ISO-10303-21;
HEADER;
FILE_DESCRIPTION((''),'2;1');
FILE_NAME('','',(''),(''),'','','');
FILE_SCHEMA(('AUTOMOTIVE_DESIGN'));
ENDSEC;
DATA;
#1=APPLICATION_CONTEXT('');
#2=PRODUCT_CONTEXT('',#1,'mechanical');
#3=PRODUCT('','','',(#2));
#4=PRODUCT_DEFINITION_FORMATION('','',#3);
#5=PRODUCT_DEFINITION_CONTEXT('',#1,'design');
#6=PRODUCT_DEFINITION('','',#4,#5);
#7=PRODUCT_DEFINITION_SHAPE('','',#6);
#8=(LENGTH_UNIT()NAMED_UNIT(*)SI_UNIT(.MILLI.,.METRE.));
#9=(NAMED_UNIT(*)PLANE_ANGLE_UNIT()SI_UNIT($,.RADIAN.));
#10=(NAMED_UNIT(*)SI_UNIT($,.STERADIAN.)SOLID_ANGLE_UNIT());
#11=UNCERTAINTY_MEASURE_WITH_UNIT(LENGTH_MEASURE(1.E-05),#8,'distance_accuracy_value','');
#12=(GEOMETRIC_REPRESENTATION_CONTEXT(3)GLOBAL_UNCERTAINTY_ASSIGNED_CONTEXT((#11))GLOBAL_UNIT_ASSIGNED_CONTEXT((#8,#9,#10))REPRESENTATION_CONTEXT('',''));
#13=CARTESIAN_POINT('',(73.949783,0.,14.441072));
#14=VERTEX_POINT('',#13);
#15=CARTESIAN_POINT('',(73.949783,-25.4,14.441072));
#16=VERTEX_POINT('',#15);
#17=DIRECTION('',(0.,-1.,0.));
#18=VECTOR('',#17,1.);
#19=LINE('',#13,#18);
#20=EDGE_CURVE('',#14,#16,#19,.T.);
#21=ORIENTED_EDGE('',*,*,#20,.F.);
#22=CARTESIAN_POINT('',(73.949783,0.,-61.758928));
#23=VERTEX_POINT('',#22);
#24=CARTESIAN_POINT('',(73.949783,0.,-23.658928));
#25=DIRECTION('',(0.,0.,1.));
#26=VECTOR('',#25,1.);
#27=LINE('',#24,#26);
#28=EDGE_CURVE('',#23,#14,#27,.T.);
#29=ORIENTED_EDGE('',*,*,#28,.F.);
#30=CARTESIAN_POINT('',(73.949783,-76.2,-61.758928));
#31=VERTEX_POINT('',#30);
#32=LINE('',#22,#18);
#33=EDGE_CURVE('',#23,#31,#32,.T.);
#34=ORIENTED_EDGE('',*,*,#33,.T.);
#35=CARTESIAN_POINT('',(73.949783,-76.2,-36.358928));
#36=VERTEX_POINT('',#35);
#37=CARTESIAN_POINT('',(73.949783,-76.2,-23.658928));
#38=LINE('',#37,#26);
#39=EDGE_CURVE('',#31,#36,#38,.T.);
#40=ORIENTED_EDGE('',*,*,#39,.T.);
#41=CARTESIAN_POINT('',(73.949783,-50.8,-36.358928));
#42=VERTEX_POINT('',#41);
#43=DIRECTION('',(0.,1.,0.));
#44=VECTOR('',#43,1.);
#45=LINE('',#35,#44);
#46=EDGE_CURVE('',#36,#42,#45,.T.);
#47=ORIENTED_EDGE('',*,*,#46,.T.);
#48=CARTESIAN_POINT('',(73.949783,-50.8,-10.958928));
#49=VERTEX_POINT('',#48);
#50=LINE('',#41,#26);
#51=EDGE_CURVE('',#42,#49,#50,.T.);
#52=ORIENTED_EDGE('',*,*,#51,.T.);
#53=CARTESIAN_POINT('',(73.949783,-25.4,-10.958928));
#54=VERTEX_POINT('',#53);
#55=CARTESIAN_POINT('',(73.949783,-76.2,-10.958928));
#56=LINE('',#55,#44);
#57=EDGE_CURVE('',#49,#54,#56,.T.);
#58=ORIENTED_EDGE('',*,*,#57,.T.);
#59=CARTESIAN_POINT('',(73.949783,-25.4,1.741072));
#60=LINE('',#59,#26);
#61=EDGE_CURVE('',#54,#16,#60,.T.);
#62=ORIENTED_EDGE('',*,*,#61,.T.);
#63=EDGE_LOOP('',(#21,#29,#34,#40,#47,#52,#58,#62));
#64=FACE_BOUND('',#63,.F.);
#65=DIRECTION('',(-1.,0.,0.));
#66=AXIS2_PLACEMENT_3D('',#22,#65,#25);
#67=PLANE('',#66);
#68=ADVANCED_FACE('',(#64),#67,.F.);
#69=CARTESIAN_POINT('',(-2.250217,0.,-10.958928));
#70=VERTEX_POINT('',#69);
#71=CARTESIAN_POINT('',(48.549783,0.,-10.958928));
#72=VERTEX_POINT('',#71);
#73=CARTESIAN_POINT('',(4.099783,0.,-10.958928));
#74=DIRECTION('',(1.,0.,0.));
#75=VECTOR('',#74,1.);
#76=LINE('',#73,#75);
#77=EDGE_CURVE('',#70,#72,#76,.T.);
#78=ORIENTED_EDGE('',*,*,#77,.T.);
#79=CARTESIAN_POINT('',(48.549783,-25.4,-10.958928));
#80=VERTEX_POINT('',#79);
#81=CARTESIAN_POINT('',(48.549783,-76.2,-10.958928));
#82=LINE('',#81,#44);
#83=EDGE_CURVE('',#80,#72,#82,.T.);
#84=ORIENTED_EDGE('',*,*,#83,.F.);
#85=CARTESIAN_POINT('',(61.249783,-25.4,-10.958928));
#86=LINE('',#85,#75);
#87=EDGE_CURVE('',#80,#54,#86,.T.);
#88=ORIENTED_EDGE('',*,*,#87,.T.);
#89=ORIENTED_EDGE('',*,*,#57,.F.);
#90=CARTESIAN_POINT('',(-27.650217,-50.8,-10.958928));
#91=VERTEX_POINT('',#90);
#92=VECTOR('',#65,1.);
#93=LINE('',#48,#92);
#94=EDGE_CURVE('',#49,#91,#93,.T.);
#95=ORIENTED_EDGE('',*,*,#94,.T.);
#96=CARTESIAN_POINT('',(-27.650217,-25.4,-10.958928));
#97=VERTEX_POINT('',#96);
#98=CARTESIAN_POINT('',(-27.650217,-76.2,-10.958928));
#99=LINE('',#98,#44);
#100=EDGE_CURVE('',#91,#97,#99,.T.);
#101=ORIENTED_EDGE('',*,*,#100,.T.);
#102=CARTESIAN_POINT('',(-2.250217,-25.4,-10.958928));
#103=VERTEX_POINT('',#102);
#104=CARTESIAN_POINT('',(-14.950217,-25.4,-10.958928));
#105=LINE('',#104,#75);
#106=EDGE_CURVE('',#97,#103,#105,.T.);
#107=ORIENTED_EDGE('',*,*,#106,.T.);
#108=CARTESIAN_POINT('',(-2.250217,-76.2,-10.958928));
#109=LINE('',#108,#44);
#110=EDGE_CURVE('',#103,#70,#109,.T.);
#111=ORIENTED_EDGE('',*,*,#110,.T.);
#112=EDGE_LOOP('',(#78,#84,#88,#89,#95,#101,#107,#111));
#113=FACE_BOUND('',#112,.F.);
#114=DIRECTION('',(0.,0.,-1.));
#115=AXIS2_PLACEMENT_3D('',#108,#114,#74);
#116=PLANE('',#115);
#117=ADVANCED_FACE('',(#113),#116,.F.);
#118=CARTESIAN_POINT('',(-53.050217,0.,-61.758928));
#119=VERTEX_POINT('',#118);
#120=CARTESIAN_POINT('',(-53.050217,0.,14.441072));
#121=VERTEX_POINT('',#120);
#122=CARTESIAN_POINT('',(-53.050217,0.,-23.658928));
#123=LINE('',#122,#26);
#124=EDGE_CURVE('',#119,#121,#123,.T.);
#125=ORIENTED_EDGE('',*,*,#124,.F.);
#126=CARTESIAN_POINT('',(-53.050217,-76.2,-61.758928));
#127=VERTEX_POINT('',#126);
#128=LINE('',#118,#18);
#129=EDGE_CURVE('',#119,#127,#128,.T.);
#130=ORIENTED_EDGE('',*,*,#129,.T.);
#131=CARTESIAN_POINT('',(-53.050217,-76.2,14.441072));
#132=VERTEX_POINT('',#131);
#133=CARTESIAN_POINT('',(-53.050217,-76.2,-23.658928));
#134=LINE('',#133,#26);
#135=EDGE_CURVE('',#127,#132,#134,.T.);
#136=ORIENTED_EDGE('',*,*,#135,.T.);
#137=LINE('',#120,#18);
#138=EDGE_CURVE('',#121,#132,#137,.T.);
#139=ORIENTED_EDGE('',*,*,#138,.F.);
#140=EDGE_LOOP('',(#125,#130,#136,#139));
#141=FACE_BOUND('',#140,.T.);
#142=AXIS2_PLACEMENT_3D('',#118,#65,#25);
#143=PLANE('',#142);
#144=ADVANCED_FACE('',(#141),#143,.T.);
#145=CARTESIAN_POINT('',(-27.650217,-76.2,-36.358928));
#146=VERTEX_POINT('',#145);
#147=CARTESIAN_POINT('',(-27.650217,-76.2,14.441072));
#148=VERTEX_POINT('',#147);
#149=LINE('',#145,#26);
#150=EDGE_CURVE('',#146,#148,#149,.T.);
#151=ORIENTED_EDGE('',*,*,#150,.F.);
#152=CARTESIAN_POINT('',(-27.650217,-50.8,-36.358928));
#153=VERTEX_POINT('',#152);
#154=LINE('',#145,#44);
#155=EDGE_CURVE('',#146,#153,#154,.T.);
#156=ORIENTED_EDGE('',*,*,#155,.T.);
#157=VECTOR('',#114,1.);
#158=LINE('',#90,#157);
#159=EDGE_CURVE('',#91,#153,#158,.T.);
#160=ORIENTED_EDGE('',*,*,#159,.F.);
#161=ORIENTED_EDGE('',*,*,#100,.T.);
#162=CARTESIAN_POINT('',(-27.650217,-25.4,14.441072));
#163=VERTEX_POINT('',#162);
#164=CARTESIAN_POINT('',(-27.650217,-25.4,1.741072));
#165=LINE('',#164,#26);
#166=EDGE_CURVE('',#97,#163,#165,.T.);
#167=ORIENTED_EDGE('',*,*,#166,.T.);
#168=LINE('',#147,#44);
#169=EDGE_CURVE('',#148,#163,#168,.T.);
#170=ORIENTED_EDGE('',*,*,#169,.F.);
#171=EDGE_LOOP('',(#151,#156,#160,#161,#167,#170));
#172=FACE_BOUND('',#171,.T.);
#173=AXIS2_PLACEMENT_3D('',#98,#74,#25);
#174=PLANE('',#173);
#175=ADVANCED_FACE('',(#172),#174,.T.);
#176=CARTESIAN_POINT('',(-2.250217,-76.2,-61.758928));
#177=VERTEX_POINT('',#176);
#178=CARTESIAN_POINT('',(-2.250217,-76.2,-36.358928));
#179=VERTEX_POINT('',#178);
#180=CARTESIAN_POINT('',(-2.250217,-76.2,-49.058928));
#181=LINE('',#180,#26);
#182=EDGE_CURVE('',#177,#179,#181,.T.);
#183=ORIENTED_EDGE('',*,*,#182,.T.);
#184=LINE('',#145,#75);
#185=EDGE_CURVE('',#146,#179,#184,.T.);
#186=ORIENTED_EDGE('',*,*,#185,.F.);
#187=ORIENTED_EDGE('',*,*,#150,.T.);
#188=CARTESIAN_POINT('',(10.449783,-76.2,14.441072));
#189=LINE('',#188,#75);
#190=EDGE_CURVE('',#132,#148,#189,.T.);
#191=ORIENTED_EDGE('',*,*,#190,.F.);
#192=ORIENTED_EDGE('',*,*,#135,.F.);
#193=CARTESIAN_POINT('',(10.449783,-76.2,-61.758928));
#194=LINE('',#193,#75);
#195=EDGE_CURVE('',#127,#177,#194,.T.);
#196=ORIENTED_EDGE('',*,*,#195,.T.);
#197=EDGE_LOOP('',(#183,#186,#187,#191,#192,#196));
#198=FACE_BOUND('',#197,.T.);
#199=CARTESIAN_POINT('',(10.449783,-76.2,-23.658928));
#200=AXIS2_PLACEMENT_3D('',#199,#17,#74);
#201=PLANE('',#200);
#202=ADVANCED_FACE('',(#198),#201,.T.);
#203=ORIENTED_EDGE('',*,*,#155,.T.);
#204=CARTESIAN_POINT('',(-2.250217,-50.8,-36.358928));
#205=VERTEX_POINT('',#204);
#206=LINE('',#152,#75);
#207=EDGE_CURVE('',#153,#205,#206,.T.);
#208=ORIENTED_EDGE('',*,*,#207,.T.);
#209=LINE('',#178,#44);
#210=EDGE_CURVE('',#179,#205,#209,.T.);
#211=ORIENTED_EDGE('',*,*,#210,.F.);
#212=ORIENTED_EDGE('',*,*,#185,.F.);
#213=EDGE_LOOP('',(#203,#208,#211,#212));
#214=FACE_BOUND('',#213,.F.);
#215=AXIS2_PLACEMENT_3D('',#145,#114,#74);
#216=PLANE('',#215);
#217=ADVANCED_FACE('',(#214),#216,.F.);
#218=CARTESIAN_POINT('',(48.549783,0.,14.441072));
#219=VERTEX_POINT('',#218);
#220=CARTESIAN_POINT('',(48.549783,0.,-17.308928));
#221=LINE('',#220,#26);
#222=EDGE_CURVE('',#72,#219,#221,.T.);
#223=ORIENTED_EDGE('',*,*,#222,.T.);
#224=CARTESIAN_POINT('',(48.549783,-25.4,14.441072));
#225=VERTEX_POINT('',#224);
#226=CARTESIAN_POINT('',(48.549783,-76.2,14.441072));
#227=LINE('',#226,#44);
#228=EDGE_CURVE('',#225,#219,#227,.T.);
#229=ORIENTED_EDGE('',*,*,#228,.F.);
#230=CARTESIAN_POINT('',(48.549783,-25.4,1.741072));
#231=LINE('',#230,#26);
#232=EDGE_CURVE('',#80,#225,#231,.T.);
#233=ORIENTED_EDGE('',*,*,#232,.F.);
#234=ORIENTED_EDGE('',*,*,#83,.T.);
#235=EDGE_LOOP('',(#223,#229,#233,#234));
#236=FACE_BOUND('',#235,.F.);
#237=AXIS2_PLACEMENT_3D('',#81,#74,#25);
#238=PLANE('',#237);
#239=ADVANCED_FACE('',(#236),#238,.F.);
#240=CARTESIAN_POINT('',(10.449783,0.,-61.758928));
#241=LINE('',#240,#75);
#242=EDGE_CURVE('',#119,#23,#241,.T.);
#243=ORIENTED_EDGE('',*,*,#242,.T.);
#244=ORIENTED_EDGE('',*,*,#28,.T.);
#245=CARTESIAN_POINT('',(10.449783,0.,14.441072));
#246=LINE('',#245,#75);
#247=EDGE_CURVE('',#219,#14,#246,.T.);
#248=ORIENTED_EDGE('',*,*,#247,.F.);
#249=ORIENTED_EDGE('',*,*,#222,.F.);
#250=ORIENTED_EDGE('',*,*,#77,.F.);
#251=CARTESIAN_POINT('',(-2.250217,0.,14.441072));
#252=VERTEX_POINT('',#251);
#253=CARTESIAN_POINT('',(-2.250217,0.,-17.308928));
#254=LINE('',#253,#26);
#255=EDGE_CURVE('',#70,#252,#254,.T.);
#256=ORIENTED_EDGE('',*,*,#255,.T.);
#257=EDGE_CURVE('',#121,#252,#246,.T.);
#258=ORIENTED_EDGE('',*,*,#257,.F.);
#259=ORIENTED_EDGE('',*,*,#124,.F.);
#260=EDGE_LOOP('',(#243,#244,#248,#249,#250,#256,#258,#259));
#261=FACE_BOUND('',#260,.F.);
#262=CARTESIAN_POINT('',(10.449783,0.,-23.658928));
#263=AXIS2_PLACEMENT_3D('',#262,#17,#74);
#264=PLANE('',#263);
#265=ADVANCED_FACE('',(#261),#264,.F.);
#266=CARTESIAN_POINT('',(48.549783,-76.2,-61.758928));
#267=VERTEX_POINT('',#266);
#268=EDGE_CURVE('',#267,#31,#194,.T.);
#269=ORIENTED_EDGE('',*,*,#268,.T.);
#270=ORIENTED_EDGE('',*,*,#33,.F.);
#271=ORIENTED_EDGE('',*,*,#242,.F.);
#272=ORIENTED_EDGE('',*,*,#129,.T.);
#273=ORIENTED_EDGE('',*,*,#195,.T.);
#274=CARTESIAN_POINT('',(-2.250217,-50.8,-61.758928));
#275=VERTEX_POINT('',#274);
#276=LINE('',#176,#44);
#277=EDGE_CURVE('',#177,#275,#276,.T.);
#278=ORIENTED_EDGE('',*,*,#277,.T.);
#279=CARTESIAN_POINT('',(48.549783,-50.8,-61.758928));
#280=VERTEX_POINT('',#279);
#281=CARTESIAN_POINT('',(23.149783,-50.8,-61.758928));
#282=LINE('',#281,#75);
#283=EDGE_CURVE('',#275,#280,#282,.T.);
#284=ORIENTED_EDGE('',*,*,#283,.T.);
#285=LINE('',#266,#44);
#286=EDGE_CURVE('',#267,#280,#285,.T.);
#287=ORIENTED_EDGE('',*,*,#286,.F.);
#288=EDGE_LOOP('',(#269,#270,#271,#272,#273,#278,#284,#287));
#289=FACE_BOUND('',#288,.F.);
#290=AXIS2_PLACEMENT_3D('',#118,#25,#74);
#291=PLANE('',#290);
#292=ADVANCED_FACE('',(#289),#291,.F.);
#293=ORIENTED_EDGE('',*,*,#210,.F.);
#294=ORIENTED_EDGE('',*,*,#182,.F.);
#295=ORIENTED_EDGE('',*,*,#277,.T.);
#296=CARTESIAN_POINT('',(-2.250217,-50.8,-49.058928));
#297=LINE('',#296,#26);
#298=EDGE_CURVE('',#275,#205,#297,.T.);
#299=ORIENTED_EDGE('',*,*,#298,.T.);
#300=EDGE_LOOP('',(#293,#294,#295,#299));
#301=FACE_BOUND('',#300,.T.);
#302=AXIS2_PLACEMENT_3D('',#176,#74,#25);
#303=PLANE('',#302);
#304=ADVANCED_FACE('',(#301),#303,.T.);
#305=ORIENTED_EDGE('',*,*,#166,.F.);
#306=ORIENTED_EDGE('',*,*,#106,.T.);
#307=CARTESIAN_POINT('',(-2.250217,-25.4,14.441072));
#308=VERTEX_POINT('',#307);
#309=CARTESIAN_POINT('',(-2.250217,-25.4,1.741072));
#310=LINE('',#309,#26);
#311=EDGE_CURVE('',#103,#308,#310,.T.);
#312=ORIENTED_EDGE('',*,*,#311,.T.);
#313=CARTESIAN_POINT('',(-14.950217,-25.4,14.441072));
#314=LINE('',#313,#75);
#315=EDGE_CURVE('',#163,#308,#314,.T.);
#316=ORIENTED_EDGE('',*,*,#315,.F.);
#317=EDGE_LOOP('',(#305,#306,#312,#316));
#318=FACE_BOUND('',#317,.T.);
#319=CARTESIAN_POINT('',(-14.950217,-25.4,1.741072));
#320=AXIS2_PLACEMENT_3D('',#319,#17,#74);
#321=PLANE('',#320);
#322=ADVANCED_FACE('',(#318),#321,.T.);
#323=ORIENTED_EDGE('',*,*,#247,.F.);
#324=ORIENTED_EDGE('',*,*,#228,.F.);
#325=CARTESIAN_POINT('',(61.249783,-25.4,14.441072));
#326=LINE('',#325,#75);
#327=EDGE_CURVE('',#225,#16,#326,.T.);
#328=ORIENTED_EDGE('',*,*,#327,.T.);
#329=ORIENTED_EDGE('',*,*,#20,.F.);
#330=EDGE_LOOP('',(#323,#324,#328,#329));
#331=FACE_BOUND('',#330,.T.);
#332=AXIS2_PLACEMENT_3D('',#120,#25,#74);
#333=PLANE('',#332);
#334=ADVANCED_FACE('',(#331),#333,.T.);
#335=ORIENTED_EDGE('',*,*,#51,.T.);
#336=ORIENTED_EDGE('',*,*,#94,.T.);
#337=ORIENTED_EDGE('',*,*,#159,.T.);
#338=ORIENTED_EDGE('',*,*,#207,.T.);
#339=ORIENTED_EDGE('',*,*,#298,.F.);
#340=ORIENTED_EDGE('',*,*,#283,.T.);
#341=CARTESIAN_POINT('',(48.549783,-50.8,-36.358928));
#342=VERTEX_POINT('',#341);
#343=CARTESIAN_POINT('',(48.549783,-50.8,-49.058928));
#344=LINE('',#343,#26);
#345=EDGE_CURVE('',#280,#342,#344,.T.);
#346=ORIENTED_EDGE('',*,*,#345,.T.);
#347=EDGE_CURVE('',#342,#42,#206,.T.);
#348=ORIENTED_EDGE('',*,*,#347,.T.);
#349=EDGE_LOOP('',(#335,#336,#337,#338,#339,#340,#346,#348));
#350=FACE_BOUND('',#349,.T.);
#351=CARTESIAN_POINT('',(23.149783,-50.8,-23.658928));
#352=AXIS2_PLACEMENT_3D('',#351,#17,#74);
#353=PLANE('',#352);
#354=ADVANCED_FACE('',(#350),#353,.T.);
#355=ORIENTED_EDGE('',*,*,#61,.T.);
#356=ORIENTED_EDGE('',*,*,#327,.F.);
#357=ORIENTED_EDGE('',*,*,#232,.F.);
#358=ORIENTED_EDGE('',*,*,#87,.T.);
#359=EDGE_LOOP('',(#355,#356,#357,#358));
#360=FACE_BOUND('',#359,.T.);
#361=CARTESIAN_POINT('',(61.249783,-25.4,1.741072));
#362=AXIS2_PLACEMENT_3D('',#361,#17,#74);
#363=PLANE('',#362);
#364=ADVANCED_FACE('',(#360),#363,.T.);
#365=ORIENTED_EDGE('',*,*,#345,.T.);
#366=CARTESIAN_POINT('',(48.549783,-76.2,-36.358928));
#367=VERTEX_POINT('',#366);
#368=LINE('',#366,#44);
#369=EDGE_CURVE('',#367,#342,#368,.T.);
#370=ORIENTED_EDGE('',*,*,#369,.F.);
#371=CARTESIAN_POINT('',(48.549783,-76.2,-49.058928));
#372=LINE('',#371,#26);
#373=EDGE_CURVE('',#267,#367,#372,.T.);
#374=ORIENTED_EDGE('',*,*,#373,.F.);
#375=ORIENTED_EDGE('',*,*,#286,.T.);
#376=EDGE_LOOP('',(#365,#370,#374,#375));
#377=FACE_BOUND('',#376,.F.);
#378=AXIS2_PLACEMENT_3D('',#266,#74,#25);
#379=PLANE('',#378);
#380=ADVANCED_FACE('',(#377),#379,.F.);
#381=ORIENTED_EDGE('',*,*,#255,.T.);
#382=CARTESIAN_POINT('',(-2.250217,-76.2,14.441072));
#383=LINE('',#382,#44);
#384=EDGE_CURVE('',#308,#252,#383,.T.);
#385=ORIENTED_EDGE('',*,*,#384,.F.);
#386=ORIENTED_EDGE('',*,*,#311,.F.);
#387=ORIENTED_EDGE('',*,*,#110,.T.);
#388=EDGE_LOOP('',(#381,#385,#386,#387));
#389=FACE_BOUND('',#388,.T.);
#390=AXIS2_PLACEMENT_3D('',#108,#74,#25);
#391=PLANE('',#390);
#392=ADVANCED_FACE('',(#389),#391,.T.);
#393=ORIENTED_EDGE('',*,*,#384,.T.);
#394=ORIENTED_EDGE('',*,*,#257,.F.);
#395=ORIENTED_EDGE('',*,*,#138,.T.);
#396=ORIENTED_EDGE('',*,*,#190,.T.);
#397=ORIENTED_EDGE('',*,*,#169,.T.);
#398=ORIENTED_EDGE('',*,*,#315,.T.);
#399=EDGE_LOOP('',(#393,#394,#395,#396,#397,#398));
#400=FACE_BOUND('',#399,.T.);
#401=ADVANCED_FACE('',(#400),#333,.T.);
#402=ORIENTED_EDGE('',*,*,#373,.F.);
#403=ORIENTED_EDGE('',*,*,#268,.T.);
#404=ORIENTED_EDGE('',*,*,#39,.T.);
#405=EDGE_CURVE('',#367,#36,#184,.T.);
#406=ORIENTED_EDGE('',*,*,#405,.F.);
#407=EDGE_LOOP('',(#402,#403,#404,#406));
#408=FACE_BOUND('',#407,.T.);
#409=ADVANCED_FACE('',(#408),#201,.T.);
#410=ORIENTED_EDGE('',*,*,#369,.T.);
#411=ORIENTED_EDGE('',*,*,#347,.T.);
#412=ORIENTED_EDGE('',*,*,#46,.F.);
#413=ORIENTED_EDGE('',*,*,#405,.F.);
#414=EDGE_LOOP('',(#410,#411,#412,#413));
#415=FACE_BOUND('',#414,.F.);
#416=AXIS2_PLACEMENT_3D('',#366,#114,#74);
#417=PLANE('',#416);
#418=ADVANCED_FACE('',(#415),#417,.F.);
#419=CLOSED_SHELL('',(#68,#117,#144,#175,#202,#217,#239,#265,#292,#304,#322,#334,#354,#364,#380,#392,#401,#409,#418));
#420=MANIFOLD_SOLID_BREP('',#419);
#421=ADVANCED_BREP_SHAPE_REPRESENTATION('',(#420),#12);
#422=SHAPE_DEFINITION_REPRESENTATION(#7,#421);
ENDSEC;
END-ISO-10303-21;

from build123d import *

# Parameters (mm, degrees)
F0_W     = 127
F0_H     = 76.2
F1_DEPTH = 76.2
F2_W     = 25.4
F2_H     = 25.4
F3_DEPTH = 50.8
F2_W_2   = 50.8
F4_DEPTH = 76.201
F5_DEPTH = 25.4


with BuildPart() as f1:
    # F0 (on Front) → F1 (new body)
    with BuildSketch(Plane.XZ):
        with Locations((10.449783, -23.658928)):
            Rectangle(F0_W, F0_H)
    extrude(amount=F1_DEPTH)

    # F2 (on face) → F3 (cut)
    with BuildSketch(Plane.XZ.offset(76.2)):
        with Locations((-14.950217, 1.741072)):
            Rectangle(F2_W, F2_H)
        with Locations((61.249783, 1.741072)):
            Rectangle(F2_W, F2_H)
    extrude(amount=-F3_DEPTH, mode=Mode.SUBTRACT)

    # F2 (on face) → F4 (cut, through all)
    with BuildSketch(Plane.XZ.offset(76.2)):
        with Locations((23.149783, 1.741072)):
            Rectangle(F2_W_2, F2_H)
    extrude(amount=-F4_DEPTH, mode=Mode.SUBTRACT)

    # F2 (on face) → F5 (cut)
    with BuildSketch(Plane.XZ.offset(76.2)):
        Polygon((-2.250217, -10.958928), (-27.650217, -10.958928), (-27.650217, -36.358928), (-2.250217, -36.358928), (48.549783, -36.358928), (73.949783, -36.358928), (73.949783, -10.958928), (48.549783, -10.958928), align=None)
        with Locations((23.149783, -49.058928)):
            Rectangle(F2_W_2, F2_H)
    extrude(amount=-F5_DEPTH, mode=Mode.SUBTRACT)


solid = f1.part
